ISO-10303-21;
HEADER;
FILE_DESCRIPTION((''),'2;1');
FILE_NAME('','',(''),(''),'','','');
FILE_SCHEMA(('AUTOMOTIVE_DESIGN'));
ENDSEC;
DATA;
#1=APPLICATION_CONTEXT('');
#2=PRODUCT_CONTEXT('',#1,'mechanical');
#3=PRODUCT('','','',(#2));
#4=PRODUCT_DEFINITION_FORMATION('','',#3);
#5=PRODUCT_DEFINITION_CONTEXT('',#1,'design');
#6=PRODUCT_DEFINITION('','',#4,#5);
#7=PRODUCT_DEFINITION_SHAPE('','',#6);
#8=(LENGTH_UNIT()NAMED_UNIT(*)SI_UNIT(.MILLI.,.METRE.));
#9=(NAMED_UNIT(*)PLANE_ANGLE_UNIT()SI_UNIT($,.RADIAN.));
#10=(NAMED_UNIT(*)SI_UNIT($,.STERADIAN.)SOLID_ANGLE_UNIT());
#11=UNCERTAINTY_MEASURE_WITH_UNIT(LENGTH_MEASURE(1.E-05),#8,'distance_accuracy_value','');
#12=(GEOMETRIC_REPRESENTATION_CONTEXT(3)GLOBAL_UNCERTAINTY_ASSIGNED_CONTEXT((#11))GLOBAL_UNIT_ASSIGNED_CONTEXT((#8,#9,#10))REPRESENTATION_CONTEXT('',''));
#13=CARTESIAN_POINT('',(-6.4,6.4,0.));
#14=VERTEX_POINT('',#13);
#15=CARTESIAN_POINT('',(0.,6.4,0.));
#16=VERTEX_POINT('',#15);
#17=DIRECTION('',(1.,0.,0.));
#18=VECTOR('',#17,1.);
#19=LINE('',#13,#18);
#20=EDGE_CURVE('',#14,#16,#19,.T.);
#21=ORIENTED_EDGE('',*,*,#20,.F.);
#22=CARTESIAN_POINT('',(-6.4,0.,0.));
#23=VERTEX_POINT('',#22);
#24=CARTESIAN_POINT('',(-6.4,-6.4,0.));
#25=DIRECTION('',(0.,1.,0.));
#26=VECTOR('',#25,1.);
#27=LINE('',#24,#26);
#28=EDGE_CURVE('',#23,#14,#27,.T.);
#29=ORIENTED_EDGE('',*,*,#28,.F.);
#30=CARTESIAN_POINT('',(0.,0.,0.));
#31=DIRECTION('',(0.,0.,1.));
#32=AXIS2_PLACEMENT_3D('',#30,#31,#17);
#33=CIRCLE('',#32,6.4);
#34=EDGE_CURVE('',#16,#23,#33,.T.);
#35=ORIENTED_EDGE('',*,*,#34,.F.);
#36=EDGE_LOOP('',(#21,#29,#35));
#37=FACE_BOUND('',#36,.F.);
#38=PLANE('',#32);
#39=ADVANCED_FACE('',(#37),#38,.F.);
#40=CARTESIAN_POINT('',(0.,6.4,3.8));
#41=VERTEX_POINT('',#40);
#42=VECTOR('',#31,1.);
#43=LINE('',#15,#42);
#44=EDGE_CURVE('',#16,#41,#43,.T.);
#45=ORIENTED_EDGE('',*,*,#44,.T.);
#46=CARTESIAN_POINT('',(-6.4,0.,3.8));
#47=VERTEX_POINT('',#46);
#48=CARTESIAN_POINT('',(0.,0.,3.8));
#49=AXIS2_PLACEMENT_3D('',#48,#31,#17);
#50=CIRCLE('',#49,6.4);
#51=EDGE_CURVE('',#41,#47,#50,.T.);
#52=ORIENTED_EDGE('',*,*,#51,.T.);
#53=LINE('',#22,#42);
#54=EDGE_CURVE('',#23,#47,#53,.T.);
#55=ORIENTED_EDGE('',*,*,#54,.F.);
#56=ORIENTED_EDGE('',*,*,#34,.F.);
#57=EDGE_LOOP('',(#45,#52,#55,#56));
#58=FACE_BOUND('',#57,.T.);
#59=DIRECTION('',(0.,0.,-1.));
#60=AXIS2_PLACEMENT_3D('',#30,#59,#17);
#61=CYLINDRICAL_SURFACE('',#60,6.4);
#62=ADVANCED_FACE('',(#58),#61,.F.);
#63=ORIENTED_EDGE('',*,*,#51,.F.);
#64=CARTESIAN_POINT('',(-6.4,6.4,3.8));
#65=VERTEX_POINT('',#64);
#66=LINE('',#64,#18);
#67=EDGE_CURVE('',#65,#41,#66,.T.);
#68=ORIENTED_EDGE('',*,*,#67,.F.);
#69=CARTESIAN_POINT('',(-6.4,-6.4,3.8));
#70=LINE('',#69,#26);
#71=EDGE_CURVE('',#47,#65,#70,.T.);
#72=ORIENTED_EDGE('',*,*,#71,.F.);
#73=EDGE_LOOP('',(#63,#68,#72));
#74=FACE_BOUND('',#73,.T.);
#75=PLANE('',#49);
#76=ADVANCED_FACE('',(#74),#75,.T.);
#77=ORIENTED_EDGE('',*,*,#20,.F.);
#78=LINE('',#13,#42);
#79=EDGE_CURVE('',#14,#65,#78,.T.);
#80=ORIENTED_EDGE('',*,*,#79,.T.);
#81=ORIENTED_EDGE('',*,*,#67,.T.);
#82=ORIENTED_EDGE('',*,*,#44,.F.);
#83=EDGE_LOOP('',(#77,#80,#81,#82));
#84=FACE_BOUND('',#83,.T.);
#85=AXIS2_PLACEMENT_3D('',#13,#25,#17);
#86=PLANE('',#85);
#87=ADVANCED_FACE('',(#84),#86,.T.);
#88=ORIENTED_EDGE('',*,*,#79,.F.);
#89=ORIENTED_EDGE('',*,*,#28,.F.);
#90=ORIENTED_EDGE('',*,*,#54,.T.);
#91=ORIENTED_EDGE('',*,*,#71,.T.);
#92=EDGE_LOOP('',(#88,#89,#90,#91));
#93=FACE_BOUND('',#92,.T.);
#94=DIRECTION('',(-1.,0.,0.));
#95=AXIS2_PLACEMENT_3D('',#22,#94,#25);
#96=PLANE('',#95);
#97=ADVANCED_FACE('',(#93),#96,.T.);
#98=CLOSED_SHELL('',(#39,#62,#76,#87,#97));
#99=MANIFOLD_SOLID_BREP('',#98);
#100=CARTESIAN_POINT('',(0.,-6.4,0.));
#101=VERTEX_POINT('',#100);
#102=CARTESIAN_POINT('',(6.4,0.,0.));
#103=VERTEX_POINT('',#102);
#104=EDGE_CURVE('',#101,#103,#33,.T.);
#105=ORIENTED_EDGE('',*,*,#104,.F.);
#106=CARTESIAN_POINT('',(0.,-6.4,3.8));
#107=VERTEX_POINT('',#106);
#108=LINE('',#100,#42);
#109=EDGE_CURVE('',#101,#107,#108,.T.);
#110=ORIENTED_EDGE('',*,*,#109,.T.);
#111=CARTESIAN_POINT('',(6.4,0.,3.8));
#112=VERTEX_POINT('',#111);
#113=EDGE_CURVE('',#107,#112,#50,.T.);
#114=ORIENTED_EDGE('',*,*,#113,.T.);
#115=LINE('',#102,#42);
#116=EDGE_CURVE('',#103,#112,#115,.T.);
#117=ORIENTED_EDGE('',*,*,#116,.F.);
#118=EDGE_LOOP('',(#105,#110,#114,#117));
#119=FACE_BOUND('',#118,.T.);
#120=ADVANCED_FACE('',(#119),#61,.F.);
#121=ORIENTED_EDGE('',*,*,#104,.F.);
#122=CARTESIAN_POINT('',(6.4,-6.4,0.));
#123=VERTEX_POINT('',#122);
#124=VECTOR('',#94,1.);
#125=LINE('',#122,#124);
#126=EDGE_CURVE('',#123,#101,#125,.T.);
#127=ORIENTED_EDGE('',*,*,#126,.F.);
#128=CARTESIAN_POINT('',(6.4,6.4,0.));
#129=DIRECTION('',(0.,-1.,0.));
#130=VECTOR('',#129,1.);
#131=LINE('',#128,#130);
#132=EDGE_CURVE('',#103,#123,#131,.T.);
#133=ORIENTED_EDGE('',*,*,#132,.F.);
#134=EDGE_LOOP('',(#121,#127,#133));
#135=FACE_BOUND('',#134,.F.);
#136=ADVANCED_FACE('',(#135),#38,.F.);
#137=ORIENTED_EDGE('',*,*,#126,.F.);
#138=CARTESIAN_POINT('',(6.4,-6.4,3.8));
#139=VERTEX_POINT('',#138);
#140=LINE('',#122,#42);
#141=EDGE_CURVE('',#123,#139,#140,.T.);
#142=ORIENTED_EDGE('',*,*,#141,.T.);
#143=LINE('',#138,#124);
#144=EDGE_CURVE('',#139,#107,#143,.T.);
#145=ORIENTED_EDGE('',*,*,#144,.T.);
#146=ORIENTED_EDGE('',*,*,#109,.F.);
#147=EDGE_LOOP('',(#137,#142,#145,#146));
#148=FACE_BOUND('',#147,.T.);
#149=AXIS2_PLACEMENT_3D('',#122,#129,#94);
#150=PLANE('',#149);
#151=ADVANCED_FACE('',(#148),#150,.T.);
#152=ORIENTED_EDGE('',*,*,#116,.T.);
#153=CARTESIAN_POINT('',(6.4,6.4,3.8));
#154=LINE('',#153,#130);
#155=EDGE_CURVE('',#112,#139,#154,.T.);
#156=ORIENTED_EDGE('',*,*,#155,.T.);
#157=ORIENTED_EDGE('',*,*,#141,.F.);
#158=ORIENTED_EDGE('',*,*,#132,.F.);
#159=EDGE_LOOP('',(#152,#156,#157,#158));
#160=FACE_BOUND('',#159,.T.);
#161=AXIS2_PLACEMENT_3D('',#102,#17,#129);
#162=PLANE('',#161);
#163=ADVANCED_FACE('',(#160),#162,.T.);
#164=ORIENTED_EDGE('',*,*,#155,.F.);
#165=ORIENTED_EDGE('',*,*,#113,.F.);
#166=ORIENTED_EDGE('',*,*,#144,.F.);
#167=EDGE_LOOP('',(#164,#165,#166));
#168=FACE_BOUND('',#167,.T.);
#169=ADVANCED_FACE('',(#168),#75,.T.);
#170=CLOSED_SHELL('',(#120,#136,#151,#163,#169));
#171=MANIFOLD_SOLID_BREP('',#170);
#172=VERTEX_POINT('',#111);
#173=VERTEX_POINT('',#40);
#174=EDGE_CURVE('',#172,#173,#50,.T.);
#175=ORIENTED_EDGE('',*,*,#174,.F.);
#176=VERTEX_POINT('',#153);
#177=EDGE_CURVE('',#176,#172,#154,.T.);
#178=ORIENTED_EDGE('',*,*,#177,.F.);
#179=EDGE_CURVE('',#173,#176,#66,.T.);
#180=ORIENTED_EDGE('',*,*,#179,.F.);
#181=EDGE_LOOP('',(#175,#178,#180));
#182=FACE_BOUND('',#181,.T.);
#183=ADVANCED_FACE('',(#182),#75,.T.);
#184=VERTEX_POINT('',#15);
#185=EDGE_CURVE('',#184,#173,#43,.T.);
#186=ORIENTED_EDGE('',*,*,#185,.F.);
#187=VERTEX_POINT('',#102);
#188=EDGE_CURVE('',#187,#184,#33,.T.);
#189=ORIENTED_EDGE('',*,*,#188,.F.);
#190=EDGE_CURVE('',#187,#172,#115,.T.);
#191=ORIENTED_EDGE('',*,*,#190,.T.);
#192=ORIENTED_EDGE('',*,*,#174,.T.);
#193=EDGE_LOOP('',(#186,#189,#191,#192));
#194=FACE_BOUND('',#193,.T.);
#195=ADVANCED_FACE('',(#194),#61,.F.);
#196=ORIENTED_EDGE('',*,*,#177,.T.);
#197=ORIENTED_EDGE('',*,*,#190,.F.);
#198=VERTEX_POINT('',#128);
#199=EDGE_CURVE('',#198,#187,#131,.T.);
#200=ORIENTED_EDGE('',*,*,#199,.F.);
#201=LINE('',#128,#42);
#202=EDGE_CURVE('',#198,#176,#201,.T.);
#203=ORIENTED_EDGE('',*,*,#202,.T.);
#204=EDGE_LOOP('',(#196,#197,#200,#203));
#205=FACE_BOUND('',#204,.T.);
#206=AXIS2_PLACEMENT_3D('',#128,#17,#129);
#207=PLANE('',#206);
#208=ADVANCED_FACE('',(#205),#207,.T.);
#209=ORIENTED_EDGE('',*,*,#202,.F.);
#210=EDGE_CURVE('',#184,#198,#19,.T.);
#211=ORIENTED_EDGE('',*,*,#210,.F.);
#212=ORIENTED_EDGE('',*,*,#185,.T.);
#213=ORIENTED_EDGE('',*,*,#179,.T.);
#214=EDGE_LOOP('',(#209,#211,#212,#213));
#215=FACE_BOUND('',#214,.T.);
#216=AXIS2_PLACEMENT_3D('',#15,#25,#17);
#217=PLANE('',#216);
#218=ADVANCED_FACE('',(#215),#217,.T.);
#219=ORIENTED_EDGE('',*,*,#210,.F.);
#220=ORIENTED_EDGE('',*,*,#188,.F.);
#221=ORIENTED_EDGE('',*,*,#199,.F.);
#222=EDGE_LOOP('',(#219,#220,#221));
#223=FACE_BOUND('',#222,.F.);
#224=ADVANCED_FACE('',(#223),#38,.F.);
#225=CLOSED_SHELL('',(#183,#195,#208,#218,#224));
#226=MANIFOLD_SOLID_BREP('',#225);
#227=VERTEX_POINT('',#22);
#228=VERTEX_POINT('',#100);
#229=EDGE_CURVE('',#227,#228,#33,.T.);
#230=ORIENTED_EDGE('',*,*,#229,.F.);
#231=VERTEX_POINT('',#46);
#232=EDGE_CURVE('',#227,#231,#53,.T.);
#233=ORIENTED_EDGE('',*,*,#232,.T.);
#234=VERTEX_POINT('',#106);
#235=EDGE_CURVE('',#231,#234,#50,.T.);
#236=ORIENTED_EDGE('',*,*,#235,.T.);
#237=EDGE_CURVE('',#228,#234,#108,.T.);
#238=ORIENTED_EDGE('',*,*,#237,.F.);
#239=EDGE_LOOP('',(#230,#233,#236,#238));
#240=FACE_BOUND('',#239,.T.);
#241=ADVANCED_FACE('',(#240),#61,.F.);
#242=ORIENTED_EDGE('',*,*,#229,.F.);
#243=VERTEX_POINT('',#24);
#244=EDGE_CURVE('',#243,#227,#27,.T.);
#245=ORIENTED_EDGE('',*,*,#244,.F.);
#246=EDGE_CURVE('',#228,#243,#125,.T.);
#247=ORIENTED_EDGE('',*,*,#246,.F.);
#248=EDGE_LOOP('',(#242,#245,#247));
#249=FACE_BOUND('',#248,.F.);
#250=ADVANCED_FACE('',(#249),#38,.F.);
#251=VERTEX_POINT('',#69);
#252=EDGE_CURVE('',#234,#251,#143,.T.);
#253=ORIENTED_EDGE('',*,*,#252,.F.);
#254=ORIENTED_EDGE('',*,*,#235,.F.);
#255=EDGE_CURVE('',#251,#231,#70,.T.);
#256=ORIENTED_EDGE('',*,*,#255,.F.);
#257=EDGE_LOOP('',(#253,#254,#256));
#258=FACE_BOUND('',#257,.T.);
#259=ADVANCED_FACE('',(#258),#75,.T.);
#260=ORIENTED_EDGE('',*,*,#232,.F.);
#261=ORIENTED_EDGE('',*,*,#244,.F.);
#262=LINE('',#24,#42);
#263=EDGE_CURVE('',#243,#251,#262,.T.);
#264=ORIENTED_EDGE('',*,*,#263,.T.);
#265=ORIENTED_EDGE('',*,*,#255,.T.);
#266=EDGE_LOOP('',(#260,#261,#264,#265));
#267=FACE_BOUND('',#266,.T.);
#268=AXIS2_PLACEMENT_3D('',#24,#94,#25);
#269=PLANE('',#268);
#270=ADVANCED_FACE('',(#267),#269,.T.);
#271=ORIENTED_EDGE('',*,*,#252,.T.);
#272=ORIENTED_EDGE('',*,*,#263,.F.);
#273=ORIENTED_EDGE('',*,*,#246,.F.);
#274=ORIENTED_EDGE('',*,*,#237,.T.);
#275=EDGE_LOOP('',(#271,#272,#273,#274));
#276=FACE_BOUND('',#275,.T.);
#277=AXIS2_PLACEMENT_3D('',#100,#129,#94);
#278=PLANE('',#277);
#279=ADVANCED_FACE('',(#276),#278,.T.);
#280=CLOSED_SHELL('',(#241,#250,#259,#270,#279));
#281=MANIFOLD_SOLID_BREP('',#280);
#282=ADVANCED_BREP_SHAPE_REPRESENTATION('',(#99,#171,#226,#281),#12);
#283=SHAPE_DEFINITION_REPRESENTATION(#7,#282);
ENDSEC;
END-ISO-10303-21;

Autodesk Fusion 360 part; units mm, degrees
sketch "movingPlatform" plane through (0, 0, 0) normal (0, 0, 1) x (1, 0, 0)
  circle A0 centre (0, 0) radius 6.4
  line L0 (6.4, -6.4) -> (-6.4, -6.4)
  line L1 (-6.4, -6.4) -> (-6.4, 6.4)
  line L2 (-6.4, 6.4) -> (6.4, 6.4)
  line L3 (6.4, 6.4) -> (6.4, -6.4)
  line L4 (6.4, -6.4) -> (-6.4, 6.4) construction
  line L5 (-6.4, -6.4) -> (6.4, 6.4) construction
  dimension "d65" = 12.8
  dimension "d81" = 12.8
  dimension "d82" = 12.8
extrude "Extrude16" add sketch "movingPlatform" along normal blind 3.8 contours A0 L0 L3 | A0 L2 L3 | A0 L1 L2 | A0 L0 L1
